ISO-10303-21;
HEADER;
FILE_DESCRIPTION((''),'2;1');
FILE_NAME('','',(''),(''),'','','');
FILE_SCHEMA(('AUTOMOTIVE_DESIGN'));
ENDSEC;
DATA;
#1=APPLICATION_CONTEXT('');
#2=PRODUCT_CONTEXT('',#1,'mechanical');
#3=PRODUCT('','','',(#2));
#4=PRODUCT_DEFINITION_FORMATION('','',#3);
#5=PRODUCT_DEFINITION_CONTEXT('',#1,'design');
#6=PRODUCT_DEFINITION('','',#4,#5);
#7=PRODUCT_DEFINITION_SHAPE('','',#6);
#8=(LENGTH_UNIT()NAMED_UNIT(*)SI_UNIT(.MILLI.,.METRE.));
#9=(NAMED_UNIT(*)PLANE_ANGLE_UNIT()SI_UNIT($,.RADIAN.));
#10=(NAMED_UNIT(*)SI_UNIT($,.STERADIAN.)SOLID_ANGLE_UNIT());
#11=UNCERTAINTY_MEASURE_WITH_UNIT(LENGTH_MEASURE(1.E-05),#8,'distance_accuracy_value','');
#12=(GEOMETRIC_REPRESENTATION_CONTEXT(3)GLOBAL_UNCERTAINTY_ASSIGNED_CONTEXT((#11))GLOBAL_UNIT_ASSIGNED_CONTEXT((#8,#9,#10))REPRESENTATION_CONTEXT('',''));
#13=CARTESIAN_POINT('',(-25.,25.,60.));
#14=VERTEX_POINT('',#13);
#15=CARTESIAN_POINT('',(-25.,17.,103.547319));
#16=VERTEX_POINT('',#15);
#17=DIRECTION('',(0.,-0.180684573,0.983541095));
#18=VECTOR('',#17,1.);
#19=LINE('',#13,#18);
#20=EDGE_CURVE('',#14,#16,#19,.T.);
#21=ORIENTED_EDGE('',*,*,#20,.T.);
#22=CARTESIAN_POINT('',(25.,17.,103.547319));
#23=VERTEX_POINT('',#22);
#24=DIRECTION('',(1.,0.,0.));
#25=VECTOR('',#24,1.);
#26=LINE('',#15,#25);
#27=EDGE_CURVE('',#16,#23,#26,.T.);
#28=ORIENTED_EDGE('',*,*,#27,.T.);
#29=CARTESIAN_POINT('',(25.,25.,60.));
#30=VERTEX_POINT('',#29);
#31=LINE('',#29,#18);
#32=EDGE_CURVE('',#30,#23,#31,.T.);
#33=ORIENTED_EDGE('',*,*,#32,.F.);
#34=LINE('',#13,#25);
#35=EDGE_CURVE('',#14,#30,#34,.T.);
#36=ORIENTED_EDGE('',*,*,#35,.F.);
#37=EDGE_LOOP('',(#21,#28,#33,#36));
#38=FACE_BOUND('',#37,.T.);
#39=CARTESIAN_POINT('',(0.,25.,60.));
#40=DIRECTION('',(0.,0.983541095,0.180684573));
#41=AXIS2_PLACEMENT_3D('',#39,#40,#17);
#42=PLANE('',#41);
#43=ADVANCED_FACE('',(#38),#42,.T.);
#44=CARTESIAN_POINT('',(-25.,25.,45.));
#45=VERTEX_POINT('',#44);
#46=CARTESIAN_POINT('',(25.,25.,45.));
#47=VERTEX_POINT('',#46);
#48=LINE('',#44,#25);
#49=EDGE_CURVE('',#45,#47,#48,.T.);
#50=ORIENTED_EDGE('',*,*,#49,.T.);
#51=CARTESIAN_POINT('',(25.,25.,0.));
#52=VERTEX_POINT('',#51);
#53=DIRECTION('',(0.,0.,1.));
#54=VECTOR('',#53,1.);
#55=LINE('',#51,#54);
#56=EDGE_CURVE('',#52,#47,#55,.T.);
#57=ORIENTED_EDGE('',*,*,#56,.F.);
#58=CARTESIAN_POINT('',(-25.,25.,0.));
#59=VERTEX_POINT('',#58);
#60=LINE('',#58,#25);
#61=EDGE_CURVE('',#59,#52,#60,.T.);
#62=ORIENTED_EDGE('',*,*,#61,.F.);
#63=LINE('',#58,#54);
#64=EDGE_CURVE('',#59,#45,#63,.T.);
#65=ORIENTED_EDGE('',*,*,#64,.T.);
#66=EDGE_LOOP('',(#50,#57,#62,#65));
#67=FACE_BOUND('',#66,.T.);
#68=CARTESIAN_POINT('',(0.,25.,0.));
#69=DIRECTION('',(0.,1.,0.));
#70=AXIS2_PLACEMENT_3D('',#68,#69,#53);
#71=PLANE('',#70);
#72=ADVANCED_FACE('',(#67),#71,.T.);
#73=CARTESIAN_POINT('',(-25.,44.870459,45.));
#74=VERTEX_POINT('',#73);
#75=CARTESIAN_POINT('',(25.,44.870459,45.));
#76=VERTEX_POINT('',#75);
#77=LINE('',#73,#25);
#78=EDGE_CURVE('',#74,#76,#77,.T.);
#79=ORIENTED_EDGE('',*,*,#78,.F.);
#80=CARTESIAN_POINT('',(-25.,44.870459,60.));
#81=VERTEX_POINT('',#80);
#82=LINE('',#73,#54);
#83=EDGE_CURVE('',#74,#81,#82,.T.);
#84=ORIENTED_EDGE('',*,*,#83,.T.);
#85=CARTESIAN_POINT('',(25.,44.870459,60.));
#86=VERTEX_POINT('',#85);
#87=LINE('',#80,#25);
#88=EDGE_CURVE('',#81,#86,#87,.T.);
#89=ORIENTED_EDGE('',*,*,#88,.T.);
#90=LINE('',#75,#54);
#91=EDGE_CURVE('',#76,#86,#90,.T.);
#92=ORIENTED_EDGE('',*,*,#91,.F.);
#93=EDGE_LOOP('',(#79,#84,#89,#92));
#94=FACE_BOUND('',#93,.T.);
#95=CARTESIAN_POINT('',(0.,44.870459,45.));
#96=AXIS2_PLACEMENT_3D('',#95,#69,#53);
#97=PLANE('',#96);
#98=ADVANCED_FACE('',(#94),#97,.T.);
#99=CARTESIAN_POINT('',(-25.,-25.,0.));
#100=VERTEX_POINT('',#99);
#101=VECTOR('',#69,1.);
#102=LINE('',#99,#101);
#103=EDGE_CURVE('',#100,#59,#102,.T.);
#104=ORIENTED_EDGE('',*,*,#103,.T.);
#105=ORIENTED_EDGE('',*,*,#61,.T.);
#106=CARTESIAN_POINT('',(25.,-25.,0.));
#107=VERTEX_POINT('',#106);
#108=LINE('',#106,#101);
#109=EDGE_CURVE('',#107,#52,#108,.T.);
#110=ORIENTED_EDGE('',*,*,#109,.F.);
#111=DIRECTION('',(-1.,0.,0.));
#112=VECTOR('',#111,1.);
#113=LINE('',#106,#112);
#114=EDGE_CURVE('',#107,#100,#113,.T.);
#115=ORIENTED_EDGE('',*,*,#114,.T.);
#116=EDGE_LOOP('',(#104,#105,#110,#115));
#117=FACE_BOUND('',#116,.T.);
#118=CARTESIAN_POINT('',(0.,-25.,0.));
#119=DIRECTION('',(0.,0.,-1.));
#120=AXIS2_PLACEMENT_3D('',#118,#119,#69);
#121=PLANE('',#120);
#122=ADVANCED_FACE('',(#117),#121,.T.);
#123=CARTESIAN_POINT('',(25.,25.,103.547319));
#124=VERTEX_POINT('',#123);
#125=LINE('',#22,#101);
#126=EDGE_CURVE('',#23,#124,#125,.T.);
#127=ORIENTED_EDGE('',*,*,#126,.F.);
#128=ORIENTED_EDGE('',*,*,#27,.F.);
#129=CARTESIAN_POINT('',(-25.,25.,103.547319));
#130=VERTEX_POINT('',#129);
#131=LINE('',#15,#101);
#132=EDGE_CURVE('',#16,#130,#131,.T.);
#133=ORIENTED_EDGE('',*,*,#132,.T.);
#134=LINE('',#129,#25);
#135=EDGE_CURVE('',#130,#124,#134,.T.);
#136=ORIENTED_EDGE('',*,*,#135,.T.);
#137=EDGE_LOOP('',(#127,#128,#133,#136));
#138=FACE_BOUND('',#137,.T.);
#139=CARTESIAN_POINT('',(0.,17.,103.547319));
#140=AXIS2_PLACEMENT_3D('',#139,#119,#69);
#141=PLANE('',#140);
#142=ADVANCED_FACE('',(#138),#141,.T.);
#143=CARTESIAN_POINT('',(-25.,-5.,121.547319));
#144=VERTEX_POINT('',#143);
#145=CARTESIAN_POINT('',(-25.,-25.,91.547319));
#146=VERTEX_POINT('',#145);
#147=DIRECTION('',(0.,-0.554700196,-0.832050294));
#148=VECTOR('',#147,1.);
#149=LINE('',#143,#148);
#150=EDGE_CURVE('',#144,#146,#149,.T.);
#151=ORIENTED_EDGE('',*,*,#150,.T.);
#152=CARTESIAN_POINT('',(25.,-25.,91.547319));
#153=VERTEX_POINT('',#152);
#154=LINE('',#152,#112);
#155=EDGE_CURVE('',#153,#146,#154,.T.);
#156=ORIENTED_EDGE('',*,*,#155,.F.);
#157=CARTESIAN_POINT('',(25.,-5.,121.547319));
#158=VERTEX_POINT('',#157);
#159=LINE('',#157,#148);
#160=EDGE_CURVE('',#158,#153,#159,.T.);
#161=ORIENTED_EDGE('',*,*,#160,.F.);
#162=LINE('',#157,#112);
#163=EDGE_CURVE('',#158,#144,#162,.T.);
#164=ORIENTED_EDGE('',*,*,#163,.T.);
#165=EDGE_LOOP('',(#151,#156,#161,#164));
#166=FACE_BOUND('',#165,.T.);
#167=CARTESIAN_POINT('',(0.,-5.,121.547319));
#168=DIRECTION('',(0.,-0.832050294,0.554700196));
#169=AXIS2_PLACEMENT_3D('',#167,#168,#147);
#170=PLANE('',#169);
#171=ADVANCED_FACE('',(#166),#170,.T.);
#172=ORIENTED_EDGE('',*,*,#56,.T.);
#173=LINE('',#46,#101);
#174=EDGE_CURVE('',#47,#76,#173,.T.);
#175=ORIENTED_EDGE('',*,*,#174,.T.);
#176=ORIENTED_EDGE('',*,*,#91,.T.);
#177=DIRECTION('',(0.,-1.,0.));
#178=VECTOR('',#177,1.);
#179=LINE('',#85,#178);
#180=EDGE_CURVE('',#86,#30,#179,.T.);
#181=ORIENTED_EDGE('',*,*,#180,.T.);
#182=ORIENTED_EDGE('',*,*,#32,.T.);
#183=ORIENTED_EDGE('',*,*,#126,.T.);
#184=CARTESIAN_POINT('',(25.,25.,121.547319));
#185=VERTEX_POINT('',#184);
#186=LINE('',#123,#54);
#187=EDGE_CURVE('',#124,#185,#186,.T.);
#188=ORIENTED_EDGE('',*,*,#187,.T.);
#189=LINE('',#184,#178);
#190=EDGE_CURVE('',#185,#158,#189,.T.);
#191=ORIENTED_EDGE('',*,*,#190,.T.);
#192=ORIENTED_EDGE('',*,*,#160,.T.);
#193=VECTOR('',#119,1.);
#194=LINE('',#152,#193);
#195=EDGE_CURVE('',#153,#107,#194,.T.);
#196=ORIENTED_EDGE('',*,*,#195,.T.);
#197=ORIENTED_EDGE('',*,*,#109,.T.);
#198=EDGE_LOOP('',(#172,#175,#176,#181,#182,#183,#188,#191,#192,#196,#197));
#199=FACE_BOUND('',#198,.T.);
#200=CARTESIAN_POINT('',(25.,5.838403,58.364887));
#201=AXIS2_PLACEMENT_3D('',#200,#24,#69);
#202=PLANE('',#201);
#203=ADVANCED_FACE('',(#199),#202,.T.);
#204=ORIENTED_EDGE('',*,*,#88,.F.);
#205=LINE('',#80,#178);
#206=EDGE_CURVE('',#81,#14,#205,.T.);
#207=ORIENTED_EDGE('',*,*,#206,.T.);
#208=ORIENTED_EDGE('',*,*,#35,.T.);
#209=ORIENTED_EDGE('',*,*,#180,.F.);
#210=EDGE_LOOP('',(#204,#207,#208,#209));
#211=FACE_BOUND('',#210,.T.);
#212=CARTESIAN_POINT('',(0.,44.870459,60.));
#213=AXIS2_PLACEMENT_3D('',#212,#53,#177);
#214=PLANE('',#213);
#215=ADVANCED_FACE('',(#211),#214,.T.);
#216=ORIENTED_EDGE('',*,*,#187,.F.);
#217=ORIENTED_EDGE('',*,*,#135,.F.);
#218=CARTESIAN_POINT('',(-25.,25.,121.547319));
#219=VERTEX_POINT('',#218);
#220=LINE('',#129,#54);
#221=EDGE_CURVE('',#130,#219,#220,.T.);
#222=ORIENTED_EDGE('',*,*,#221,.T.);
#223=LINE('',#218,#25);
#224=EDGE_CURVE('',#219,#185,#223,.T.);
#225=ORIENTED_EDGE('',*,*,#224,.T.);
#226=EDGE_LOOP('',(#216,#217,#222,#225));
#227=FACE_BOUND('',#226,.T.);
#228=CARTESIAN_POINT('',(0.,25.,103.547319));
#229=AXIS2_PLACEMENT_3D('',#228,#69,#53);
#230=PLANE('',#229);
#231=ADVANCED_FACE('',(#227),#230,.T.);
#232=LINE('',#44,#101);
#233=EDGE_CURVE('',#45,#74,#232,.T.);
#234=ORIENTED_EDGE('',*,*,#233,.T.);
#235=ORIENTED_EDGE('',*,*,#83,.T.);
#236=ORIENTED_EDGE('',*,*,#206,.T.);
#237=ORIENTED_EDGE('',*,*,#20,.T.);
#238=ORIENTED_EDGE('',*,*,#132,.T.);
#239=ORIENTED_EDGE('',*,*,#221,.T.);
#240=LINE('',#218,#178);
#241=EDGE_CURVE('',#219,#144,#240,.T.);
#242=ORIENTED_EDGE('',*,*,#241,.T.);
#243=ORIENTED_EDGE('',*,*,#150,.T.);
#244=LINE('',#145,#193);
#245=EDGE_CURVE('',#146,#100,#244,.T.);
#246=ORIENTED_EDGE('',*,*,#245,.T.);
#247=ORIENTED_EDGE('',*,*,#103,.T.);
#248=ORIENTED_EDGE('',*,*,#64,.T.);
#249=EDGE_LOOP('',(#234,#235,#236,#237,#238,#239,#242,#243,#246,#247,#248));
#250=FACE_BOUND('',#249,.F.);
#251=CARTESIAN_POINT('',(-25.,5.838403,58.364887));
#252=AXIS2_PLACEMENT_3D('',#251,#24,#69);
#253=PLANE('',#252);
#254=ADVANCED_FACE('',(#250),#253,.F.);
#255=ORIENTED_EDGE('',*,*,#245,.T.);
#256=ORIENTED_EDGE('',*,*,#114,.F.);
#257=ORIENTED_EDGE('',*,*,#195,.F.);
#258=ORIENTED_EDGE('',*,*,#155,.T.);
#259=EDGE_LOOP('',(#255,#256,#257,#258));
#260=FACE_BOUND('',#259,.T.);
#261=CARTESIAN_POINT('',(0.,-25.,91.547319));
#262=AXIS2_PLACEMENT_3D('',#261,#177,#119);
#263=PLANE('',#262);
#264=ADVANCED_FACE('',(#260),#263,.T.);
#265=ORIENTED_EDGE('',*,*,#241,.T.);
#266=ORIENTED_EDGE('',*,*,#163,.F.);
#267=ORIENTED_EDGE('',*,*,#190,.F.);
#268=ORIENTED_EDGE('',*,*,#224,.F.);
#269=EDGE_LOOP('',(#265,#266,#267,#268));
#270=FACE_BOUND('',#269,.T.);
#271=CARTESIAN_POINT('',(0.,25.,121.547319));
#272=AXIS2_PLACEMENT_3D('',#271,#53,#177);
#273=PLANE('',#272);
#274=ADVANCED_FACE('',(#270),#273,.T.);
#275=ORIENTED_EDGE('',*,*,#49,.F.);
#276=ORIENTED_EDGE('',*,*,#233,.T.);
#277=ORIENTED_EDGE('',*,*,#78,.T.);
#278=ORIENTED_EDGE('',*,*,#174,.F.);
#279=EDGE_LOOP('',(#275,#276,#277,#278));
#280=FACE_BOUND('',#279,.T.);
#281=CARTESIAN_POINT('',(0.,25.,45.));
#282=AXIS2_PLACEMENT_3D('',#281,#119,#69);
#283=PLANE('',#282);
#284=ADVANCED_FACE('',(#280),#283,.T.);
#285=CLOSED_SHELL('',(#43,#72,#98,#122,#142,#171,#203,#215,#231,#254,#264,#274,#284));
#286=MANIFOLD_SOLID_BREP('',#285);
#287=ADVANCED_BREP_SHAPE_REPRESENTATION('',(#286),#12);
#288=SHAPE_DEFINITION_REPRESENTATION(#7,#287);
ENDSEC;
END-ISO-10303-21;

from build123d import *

# Parameters (mm, degrees)
F1_DEPTH = 25


with BuildPart() as f1:
    # F0 (on Right) → F1 (new body, symmetric)
    with BuildSketch(Plane.YZ):
        Polygon((-25, 0), (25, 0), (25, 45), (44.870459, 45), (44.870459, 60), (25, 60), (17, 103.547319), (25, 103.547319), (25, 121.547319), (-5, 121.547319), (-25, 91.547319), align=None)
    extrude(amount=F1_DEPTH, both=True)


solid = f1.part
